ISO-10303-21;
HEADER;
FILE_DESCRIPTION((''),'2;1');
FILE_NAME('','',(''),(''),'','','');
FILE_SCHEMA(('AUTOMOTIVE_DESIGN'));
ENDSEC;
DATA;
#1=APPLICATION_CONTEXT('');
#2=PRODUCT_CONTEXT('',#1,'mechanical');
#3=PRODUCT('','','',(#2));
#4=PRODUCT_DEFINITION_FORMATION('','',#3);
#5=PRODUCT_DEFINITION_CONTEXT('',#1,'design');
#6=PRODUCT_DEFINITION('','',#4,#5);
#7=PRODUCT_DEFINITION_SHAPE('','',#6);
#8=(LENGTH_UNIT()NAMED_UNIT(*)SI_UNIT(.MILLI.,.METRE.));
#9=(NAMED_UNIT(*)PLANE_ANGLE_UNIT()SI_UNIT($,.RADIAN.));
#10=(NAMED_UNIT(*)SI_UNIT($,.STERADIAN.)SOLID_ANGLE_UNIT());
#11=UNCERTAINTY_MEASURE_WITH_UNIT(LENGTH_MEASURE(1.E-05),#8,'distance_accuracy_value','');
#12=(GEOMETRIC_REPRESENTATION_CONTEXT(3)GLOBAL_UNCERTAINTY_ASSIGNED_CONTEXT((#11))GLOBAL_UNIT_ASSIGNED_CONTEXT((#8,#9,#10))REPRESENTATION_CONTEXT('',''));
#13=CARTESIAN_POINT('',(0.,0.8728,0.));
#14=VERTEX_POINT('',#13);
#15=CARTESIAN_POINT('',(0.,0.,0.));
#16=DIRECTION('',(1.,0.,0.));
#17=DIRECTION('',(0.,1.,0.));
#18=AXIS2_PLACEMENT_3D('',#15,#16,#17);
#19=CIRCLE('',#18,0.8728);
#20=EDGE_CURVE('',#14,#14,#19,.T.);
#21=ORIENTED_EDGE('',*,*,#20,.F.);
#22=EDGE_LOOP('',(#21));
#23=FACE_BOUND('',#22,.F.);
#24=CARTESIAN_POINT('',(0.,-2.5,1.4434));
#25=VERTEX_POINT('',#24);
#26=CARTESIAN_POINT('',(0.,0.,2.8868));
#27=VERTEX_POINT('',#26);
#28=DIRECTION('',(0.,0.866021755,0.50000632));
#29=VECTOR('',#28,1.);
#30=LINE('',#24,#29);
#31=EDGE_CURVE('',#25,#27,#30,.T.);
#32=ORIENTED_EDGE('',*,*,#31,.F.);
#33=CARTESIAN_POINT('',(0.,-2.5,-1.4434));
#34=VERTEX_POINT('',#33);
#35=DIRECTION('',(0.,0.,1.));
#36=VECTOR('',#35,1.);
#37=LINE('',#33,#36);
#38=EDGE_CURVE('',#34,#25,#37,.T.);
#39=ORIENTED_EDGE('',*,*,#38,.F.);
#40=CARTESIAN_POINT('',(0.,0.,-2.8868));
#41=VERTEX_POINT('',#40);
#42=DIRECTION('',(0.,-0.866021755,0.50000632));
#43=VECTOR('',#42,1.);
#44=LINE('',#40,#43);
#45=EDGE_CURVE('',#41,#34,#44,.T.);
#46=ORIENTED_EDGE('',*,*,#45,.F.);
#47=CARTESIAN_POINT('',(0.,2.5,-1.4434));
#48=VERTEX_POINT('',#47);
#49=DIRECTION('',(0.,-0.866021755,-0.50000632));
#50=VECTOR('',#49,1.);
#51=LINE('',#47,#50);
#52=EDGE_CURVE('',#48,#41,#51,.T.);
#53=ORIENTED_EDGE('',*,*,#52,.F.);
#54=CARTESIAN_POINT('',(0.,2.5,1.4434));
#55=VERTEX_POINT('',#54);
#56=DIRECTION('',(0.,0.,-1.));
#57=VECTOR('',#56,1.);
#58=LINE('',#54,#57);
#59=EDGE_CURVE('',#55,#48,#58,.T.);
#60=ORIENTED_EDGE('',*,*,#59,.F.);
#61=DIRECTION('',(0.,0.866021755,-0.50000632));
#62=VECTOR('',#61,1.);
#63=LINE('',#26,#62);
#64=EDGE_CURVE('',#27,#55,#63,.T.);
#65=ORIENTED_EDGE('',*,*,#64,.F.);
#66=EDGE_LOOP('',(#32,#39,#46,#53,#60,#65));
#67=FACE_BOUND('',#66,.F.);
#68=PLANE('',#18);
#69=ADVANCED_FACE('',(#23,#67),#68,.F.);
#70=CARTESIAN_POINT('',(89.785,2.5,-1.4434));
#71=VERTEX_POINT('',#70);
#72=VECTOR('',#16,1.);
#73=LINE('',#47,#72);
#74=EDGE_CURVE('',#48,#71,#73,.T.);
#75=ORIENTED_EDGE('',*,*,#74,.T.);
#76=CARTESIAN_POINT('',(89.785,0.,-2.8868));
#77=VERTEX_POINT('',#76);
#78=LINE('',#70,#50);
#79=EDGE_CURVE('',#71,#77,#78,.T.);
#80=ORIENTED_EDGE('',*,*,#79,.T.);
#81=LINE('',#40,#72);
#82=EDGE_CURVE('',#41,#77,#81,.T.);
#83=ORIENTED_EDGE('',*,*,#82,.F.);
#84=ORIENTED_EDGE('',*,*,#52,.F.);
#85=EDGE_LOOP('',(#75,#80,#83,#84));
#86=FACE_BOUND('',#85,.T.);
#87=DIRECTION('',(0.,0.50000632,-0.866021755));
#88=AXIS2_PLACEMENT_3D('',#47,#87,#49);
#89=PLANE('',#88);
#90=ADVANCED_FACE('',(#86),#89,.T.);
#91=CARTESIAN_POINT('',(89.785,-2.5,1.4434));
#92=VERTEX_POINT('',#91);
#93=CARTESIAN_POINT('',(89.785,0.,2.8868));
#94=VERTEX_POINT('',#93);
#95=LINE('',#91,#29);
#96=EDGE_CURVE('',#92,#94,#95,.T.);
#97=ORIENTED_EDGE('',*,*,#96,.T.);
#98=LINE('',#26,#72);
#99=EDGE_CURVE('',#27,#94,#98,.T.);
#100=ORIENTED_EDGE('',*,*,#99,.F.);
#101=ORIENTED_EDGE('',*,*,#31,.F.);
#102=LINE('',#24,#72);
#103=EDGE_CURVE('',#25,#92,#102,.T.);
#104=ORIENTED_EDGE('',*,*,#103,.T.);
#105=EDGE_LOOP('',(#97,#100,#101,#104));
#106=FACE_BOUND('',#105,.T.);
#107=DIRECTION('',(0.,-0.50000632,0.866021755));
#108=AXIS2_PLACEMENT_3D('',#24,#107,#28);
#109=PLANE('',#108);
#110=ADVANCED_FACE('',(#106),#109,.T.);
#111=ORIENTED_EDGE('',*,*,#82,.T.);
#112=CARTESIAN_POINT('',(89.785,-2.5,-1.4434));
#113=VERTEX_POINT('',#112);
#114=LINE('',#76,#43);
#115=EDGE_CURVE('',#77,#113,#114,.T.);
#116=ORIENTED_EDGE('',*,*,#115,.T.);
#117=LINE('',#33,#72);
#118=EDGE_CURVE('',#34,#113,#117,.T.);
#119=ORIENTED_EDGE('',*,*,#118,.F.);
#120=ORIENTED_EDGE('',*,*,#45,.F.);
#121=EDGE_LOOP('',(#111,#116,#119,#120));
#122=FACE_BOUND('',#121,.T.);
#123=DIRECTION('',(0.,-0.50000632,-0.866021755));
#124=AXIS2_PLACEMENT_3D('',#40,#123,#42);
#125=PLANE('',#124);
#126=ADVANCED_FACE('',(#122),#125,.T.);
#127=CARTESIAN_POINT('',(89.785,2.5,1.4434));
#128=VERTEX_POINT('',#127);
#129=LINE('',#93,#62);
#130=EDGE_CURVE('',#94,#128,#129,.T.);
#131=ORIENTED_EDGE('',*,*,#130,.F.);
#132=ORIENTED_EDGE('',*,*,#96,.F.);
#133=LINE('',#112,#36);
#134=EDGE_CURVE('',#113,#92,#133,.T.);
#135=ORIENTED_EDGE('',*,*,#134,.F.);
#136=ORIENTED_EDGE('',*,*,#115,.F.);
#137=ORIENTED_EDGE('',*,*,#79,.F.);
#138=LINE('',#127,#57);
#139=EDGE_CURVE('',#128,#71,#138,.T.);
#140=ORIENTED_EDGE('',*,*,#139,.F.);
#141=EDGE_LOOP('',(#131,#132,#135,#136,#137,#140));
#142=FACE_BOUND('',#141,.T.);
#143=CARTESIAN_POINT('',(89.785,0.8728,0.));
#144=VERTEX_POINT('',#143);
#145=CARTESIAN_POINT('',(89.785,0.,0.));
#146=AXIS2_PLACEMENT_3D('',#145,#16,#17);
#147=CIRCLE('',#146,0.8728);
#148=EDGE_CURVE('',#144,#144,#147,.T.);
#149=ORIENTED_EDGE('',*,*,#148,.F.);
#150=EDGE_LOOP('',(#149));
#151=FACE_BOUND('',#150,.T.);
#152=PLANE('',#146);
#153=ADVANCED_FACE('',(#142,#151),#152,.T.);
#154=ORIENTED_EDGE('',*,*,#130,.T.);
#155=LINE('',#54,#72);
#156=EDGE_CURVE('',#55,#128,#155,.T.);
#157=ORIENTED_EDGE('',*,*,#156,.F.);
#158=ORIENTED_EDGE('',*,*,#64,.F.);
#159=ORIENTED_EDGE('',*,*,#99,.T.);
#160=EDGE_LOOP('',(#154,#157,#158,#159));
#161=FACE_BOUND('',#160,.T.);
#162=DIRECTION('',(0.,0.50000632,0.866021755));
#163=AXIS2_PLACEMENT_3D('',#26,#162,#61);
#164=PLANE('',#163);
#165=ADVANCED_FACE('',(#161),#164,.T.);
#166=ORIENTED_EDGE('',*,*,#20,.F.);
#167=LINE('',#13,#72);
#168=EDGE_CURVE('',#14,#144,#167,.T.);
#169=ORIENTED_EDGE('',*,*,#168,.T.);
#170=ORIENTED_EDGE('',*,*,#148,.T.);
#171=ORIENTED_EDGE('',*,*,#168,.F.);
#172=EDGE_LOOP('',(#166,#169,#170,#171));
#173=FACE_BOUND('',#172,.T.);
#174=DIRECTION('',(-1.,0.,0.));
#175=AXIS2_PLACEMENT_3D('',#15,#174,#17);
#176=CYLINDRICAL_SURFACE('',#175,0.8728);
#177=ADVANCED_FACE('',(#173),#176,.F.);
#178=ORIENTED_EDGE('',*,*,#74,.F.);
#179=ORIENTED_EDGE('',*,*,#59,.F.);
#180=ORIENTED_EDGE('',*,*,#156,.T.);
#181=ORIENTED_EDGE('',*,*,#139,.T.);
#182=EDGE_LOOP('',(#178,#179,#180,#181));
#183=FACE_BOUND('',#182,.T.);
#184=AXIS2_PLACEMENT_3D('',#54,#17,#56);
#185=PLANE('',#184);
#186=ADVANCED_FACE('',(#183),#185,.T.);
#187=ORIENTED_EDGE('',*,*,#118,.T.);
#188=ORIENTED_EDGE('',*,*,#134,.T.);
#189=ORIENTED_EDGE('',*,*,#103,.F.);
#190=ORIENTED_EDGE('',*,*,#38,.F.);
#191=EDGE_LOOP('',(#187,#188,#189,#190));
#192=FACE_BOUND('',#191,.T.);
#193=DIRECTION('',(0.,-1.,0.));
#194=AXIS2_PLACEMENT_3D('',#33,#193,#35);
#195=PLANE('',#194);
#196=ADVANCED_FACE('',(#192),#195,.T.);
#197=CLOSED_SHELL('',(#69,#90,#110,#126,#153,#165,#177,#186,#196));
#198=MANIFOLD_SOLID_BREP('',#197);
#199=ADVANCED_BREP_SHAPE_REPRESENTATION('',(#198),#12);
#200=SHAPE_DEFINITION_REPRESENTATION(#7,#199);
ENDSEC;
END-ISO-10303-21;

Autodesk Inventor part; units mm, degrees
ref_plane "YZ Plane" through (0, 0, 0) normal (1, 0, 0) x (0, 1, 0)
ref_plane "XZ Plane" through (0, 0, 0) normal (0, 1, 0) x (-1, 0, 0)
ref_plane "XY Plane" through (0, 0, 0) normal (0, 0, 1) x (1, 0, 0)
sketch "Sketch1" plane through (0, 0, 0) normal (1, 0, 0) x (0, 1, 0)
  line L0 (0, -2.8868) -> (-2.5, -1.4434)
  line L1 (-2.5, -1.4434) -> (-2.5, 1.4434)
  line L2 (-2.5, 1.4434) -> (0, 2.8868)
  line L3 (0, 2.8868) -> (2.5, 1.4434)
  line L4 (2.5, 1.4434) -> (2.5, -1.4434)
  line L5 (2.5, -1.4434) -> (0, -2.8868)
  circle A0 centre (0, 0) radius 0.8728
  dimension "d0" = 5
extrude "Extrusion1" add sketch "Sketch1" along normal blind 89.785
properties part number "5mm hex shaft"
